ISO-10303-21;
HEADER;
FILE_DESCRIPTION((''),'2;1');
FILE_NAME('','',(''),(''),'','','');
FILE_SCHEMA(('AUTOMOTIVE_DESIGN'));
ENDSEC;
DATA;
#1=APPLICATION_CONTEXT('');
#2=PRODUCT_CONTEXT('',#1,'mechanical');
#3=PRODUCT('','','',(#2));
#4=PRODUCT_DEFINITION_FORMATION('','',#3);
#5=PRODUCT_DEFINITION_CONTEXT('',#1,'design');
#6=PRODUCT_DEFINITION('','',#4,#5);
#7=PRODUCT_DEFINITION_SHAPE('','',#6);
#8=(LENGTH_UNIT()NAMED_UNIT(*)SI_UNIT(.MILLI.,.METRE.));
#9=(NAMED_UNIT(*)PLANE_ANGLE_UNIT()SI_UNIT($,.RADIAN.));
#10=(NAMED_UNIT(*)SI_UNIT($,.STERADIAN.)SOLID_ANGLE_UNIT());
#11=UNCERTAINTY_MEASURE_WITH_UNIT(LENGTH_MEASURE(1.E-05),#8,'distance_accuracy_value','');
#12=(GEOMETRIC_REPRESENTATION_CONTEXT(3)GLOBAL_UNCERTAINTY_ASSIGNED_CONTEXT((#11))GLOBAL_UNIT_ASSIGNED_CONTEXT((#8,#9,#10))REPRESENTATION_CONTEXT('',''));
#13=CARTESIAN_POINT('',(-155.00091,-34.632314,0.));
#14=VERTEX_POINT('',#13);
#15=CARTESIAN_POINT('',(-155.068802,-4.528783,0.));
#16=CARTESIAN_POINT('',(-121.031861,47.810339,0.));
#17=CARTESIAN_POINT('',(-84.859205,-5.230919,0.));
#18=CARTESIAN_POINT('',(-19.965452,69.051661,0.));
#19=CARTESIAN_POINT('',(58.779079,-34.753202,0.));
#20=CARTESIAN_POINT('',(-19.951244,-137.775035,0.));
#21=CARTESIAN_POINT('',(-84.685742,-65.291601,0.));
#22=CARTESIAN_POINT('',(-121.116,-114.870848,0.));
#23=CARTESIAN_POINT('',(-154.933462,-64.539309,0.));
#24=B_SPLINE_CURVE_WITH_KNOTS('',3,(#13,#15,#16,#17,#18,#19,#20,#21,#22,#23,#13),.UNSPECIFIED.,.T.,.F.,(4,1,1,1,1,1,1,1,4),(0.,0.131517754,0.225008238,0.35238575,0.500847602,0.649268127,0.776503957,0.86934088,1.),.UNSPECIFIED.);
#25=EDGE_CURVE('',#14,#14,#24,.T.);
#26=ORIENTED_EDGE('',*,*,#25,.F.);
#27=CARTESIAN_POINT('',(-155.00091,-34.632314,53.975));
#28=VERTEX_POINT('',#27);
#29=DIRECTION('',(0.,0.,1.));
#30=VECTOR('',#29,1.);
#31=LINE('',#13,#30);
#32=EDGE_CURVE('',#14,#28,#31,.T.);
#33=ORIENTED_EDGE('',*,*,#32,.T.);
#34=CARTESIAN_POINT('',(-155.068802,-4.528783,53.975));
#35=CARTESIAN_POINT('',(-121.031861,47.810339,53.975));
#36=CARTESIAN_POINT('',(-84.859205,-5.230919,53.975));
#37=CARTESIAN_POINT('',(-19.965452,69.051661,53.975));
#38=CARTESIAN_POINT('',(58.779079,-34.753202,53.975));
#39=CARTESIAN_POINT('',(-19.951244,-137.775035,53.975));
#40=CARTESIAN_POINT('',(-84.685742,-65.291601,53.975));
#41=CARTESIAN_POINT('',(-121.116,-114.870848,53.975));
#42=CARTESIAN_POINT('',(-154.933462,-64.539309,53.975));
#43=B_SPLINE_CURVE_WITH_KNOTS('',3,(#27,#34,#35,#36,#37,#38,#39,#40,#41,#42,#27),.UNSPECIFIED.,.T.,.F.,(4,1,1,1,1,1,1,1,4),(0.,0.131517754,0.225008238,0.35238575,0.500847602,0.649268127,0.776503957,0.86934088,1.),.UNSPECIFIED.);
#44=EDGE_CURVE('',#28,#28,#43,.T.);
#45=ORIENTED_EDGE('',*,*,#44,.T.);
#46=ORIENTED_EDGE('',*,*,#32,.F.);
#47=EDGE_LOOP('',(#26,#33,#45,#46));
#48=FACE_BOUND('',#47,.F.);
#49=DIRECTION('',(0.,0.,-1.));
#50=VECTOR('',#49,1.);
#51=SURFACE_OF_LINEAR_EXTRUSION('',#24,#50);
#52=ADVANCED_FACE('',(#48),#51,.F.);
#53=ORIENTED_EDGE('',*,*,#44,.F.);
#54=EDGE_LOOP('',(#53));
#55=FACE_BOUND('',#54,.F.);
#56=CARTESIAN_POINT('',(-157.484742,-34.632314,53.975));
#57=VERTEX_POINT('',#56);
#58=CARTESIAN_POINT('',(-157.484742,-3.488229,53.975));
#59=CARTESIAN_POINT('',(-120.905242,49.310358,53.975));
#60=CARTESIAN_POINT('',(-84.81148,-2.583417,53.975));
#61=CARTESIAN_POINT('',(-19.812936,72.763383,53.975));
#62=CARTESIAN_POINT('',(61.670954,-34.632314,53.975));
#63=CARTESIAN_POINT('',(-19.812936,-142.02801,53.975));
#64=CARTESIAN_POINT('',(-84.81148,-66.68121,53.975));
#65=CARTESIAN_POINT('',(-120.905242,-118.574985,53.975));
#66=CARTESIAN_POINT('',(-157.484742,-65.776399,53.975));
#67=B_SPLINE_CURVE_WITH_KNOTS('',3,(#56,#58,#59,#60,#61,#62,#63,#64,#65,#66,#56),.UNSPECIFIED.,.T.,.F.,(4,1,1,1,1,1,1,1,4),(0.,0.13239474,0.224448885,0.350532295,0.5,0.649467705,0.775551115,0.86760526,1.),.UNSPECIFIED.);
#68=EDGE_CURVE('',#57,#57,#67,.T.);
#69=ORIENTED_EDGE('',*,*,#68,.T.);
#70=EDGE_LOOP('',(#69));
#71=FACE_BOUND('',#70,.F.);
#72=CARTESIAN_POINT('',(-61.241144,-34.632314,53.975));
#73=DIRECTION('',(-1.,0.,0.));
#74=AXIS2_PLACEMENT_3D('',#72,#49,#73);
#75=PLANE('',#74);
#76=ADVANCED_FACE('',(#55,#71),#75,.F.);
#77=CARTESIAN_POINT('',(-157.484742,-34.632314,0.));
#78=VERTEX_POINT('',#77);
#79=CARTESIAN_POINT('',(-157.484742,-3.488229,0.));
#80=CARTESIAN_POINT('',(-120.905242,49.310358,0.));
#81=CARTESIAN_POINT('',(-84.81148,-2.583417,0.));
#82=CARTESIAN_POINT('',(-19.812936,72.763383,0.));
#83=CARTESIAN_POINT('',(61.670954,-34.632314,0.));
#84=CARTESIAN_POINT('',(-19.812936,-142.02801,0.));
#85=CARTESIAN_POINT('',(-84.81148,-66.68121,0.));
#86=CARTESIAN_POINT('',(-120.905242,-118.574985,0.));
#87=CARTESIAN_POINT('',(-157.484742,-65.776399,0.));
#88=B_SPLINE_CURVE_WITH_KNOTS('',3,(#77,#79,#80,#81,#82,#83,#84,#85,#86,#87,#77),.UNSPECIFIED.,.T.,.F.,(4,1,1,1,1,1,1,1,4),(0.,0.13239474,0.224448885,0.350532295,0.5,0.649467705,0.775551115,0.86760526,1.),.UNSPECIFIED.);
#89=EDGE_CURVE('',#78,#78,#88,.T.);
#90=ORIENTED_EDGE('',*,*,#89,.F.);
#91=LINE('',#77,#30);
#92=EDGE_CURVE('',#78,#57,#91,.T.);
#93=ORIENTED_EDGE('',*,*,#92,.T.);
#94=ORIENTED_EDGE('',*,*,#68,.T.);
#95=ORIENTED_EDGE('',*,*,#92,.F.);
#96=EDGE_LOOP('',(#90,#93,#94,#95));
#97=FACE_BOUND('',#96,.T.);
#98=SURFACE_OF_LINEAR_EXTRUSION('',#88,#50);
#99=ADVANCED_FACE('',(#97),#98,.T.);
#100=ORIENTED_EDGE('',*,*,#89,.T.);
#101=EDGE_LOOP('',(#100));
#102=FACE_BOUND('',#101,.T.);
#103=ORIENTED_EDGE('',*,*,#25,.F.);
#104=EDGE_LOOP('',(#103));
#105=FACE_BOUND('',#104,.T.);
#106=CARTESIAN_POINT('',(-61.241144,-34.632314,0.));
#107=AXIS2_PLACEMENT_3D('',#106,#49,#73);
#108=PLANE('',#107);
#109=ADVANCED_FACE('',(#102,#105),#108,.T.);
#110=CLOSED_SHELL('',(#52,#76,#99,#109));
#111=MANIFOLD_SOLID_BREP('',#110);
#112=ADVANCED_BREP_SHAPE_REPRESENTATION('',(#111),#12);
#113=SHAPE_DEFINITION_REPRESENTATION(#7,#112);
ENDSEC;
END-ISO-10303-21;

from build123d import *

# Parameters (mm, degrees)
F1_DEPTH = 53.975


with BuildPart() as f1:
    # F0 (on Top) → F1 (new body)
    with BuildSketch(Plane.XY):
        with BuildLine():
            add(Edge.make_bspline(
                [(-157.4847415165, -34.6323136806), (-157.4847415165, -3.4882287694), (-120.905241971, 49.3103577472), (-84.811480296, -2.5834170008), (-19.8129355902, 72.7633826823), (61.6709543939, -34.6323136806), (-19.8129355902, -142.0280100435), (-84.811480296, -66.6812103604), (-120.905241971, -118.5749851084), (-157.4847415165, -65.7763985918), (-157.4847415165, -34.6323136806)],
                knots=[0, 0, 0, 0, 0.1323947401, 0.2244488852, 0.3505322945, 0.5, 0.6494677055, 0.7755511148, 0.8676052599, 1, 1, 1, 1], degree=3))
        make_face()
        with BuildLine():
            add(Edge.make_bspline(
                [(-155.0009101629, -34.6323136806), (-155.0688018245, -4.5287829009), (-121.0318605903, 47.8103394627), (-84.8592049051, -5.2309188442), (-19.9654519734, 69.0516614787), (58.7790785081, -34.7532024389), (-19.9512436702, -137.7750350915), (-84.6857417305, -65.2916011376), (-121.1160000509, -114.8708483565), (-154.9334617421, -64.5393091144), (-155.0009101629, -34.6323136806)],
                knots=[0, 0, 0, 0, 0.1315177535, 0.2250082378, 0.3523857497, 0.5008476016, 0.6492681269, 0.776503957, 0.8693408795, 1, 1, 1, 1], degree=3))
        make_face(mode=Mode.SUBTRACT)
    extrude(amount=F1_DEPTH)


solid = f1.part
